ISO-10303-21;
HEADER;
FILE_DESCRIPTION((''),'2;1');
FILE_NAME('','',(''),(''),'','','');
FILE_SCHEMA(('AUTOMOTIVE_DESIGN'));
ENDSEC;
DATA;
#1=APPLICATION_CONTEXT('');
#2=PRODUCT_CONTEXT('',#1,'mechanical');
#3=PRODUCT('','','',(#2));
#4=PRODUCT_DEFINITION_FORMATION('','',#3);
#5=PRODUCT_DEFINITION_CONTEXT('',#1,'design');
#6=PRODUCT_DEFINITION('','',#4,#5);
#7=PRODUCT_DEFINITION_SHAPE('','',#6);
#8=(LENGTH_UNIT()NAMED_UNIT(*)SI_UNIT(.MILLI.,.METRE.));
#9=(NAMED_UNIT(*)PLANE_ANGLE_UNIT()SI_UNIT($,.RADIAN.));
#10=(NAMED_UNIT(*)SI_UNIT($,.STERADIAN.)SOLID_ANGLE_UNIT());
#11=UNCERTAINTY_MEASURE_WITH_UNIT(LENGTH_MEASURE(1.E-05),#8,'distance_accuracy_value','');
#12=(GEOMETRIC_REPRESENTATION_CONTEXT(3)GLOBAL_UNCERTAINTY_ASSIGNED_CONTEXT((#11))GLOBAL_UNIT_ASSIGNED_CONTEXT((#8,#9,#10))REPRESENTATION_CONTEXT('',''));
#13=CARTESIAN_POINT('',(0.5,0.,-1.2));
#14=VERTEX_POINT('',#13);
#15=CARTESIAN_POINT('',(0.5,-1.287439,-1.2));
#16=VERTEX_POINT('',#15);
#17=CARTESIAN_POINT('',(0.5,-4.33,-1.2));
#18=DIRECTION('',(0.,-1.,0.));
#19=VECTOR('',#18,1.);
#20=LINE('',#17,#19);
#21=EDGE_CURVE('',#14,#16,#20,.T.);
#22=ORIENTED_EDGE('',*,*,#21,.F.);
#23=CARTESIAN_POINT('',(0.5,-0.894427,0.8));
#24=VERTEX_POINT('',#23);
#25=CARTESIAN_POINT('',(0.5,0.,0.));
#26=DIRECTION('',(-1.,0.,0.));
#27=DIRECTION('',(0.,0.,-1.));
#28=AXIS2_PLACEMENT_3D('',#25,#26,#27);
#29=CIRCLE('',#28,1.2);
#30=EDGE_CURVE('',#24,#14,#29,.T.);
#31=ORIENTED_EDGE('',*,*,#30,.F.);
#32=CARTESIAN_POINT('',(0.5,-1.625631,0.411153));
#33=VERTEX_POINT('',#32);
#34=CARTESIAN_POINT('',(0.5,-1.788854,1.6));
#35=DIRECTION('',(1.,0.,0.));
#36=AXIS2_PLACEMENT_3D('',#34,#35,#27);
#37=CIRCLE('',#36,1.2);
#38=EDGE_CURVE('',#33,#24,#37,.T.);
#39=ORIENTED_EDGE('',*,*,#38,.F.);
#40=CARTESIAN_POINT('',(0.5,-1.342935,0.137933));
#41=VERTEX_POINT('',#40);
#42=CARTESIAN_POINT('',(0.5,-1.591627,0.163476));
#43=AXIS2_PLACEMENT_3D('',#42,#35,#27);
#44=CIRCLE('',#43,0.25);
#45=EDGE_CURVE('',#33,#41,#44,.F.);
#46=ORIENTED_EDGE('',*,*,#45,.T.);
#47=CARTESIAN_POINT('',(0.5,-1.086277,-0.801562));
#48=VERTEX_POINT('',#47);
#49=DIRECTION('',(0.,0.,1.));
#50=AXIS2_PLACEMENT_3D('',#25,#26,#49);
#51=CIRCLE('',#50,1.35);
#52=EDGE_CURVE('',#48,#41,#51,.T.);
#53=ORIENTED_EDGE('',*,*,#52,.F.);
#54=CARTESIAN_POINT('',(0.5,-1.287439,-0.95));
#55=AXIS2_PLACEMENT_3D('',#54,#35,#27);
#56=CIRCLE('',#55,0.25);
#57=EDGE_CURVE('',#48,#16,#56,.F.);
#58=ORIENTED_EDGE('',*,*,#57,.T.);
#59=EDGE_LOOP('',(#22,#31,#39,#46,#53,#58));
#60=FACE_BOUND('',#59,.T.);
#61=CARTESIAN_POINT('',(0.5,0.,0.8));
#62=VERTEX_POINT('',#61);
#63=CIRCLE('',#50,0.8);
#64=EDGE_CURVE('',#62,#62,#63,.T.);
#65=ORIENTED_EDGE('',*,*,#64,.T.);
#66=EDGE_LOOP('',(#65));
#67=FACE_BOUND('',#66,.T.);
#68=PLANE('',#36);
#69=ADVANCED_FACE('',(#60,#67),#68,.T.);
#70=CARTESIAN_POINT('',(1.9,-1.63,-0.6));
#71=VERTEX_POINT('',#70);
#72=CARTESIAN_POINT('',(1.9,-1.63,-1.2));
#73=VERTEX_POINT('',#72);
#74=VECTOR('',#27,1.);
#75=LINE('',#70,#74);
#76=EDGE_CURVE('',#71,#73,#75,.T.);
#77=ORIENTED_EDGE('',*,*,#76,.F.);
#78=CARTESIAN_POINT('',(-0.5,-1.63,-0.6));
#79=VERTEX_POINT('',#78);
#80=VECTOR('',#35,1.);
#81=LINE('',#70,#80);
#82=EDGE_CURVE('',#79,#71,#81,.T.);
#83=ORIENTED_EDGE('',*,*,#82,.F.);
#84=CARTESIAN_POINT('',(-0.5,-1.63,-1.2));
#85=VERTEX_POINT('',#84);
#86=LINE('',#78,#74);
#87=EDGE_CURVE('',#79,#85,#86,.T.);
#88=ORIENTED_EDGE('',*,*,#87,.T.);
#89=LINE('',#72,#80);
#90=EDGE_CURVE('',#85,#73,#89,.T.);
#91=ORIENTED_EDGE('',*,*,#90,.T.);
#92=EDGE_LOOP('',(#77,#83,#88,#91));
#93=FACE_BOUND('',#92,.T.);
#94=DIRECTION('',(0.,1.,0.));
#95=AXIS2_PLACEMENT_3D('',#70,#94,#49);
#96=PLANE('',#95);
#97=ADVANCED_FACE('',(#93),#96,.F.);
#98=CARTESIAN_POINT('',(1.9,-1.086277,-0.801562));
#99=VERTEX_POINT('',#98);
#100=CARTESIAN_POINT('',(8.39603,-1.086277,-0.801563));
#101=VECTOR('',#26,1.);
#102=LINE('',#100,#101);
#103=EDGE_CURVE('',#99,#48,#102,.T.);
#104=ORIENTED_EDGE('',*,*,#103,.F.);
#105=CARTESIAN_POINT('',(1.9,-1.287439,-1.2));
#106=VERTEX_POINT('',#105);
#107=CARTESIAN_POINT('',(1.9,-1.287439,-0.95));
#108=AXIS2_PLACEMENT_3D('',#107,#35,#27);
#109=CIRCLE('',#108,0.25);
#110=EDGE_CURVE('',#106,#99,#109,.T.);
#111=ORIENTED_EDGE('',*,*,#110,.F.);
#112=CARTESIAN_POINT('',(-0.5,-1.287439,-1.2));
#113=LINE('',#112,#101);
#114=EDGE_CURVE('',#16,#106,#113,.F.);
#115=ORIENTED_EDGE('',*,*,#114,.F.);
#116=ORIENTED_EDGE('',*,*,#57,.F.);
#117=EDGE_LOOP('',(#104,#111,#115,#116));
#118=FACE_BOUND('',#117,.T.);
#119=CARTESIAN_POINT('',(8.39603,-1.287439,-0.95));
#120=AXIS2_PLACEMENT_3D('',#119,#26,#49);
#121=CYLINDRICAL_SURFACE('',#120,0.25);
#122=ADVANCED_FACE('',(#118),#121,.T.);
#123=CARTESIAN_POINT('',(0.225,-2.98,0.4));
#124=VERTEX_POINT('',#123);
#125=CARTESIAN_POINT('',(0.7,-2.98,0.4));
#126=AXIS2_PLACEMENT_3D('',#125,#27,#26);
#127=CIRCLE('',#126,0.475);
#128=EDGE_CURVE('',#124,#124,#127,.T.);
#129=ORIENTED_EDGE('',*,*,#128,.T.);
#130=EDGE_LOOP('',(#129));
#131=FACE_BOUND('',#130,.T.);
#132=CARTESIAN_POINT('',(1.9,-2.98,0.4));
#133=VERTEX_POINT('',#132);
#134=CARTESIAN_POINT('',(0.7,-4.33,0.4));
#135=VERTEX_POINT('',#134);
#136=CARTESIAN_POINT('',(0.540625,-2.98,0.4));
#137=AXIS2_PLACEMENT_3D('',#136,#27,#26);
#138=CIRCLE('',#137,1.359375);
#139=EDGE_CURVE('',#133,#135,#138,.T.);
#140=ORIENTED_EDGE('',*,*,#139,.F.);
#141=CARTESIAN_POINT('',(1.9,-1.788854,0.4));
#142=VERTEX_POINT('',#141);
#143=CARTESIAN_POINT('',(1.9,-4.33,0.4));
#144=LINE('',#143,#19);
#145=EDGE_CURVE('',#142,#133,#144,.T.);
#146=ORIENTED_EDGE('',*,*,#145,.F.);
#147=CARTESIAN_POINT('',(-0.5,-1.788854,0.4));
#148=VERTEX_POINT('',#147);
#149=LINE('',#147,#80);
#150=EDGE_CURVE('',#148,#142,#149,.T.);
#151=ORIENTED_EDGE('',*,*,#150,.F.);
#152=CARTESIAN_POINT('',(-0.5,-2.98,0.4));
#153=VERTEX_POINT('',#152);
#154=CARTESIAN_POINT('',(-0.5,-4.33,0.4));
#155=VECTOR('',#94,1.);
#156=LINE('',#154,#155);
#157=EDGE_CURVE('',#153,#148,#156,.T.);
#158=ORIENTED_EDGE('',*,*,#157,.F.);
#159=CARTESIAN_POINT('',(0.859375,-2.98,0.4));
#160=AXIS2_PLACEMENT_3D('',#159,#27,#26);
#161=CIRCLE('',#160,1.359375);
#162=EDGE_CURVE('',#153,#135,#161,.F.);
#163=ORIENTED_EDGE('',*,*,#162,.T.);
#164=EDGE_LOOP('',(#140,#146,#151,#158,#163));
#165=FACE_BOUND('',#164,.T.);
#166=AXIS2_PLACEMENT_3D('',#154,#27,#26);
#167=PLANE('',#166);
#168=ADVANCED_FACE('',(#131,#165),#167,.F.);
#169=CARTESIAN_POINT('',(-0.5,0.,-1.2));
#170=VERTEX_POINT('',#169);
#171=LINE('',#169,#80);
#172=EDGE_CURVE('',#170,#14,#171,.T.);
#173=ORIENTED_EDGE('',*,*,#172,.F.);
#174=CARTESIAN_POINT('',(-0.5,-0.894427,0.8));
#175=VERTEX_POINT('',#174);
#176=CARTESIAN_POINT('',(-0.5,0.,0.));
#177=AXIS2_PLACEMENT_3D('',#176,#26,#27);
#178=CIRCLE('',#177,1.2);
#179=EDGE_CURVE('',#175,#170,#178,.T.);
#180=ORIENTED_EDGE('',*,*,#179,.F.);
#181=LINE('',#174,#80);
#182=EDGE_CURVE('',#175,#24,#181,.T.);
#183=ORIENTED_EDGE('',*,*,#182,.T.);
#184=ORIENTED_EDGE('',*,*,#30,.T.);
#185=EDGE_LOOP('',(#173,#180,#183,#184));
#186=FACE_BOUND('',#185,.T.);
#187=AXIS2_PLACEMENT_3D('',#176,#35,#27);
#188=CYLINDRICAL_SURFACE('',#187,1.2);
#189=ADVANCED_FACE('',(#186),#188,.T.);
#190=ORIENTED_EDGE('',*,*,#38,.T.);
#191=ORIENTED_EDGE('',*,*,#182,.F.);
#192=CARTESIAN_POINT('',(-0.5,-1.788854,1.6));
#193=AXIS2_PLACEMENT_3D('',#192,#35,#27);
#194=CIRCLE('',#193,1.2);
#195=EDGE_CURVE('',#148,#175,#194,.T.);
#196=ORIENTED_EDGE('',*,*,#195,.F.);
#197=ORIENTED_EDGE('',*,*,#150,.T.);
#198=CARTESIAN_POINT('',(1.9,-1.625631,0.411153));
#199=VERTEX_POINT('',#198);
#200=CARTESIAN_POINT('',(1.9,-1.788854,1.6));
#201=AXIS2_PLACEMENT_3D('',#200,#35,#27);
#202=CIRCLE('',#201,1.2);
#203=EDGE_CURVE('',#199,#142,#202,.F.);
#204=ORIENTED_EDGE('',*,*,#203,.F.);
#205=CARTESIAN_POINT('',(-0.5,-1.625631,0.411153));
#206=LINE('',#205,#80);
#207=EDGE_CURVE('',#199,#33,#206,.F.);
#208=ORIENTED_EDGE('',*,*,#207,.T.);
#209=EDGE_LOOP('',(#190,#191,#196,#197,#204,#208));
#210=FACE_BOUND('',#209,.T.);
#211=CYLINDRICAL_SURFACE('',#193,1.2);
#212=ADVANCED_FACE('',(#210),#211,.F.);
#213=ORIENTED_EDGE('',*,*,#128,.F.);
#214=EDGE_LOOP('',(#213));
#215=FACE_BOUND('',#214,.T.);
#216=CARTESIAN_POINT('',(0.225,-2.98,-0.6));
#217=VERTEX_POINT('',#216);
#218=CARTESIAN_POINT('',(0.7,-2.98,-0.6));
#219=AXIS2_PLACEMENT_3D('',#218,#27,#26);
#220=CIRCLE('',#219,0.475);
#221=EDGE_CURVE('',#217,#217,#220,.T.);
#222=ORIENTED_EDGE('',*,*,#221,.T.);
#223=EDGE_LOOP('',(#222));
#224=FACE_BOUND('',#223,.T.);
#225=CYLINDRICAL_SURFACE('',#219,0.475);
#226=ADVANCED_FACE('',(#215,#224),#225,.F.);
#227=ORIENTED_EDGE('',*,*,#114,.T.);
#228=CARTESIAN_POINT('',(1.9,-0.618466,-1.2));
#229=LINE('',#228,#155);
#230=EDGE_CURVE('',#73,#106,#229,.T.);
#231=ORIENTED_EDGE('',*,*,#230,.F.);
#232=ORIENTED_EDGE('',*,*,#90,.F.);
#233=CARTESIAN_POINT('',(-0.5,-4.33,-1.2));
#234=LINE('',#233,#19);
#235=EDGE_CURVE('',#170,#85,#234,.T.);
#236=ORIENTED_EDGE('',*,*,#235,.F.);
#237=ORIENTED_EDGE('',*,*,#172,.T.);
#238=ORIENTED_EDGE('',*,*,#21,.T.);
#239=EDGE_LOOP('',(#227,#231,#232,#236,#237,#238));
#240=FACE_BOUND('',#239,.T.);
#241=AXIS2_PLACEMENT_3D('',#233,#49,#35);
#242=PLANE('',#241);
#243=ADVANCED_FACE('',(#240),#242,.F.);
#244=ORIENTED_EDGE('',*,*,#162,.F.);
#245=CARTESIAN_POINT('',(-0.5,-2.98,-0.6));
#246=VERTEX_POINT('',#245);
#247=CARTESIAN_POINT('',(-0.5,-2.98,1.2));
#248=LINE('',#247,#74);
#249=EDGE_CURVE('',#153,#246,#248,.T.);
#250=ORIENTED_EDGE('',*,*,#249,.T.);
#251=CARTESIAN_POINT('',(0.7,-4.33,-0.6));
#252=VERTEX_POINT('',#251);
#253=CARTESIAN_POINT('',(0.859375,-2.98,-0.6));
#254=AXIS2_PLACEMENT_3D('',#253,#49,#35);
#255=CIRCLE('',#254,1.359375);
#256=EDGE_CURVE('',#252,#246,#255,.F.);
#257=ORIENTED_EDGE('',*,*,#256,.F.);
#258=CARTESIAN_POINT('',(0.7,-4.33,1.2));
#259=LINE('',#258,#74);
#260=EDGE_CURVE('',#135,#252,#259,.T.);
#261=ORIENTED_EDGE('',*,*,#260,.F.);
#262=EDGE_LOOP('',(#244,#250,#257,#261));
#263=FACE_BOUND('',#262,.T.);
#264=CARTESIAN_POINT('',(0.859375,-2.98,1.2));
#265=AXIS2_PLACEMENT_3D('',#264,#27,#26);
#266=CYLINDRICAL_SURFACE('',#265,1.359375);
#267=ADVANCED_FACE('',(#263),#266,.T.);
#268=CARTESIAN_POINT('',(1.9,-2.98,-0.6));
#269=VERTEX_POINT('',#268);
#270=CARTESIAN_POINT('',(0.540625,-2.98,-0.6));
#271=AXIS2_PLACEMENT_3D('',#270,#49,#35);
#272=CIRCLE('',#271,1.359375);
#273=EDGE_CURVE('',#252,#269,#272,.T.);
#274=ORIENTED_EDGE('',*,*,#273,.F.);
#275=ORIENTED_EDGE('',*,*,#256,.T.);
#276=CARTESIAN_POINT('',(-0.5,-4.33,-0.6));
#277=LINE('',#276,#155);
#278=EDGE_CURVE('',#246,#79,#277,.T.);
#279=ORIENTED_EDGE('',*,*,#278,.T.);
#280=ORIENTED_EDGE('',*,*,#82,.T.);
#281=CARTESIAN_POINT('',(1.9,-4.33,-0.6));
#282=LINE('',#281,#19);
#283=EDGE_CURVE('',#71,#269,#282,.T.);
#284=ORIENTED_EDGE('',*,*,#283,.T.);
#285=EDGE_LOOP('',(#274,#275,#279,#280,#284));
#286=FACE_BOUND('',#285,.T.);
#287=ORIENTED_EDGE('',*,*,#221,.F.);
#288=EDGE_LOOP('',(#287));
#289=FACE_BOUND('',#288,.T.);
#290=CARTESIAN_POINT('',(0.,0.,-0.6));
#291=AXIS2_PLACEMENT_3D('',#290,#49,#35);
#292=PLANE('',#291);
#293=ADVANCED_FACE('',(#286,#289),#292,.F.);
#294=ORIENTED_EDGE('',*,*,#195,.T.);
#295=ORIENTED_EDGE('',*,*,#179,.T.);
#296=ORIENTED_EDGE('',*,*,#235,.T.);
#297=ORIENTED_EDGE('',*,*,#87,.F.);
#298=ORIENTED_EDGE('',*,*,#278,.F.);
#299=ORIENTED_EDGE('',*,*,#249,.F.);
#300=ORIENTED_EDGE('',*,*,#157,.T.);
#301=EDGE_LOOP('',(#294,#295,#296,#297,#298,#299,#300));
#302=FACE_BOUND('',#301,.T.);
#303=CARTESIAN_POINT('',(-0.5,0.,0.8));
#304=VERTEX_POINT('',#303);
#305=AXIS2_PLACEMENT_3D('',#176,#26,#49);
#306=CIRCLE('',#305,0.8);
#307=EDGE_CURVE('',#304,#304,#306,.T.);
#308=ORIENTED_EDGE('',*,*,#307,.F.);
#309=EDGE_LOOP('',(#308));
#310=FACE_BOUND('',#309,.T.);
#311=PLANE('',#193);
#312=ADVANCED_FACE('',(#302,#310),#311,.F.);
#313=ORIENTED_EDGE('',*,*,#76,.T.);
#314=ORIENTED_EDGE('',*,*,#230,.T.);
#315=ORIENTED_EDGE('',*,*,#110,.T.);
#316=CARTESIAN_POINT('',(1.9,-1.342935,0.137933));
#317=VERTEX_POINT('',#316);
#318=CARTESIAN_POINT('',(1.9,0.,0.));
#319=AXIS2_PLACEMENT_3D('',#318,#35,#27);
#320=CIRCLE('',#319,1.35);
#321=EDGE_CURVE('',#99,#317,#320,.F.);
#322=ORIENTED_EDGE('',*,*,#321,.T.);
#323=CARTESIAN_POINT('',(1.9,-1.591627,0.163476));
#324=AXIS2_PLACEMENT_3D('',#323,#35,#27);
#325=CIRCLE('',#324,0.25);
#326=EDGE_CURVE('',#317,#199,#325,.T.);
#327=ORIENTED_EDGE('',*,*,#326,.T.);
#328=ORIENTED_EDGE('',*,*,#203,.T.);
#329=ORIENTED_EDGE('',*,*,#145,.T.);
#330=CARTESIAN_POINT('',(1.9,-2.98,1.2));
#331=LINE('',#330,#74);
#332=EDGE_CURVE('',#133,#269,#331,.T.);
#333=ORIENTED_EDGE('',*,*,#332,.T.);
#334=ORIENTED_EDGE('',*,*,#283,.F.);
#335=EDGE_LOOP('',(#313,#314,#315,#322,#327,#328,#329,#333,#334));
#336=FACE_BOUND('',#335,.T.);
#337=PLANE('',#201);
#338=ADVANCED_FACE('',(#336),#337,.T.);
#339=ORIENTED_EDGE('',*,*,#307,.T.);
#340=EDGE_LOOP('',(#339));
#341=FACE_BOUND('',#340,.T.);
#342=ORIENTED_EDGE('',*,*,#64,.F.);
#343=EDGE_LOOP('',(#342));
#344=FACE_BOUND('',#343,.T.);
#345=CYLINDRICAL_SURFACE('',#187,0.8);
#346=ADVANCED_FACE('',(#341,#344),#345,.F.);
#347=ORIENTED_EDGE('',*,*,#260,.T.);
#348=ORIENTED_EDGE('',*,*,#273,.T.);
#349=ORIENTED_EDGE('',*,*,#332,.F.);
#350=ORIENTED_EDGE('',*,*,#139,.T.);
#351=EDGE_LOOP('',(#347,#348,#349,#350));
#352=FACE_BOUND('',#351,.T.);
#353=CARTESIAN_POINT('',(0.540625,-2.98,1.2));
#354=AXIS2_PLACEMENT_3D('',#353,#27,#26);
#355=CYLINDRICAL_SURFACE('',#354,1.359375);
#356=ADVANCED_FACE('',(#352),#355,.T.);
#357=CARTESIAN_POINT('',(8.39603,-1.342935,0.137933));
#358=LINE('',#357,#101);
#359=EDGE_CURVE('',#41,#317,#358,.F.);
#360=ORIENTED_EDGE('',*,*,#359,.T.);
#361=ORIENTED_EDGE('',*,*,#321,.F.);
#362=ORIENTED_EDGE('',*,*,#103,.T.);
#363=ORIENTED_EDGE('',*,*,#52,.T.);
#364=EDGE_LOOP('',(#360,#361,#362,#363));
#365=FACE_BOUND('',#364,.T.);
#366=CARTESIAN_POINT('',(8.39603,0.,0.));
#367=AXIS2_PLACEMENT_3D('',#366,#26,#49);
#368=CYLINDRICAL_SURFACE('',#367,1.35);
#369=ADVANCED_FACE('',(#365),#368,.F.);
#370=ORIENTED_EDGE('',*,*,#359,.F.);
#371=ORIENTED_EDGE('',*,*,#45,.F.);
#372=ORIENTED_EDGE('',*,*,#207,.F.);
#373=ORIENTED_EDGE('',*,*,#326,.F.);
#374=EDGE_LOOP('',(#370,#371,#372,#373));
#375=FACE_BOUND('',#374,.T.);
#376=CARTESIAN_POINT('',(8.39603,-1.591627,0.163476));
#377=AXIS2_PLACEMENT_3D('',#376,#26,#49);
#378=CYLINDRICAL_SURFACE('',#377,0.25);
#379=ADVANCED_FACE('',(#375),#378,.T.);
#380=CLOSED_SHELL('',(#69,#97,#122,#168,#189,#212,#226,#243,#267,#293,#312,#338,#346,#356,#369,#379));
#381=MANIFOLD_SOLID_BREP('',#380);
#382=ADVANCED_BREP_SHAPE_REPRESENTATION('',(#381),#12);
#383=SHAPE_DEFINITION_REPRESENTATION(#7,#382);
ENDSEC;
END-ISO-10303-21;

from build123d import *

# Parameters (mm, degrees)
SKETCH1_R               = 0.8
BOSS_EXTRUDE1_DEPTH     = 0.5
BOSS_EXTRUDE2_DEPTH     = 1.4
FILLET1_R               = 0.25
SKETCH3_W               = 2.4
SKETCH3_H               = 2.7
CUT_EXTRUDE1_DEPTH      = 0.6
M1_2_TAPPED_HOLE1_D     = 0.95
CUT_EXTRUDE2_DEPTH      = 6.059535711
CUT_EXTRUDE2_DEPTH_BACK = 6.059535711


with BuildPart() as part:
    # Sketch1 → Boss-Extrude1 (new, symmetric)
    with BuildSketch(Plane(origin=(0, 0, 0), x_dir=(0, 1, 0), z_dir=(-1, 0, 0))):
        with BuildLine():
            Line((-4.33, 1.2), (0, 1.2))
            ThreePointArc((0, 1.2), (1.095445115, -0.489897949), (-0.894427191, -0.8))
            ThreePointArc((-0.894427191, -0.8), (-1.298956433, -0.504554885), (-1.788854382, -0.4))
            Line((-1.788854382, -0.4), (-4.33, -0.4))
            Line((-4.33, -0.4), (-4.33, 1.2))
        make_face()
        with Locations(Location((0, 0, 0), (0, 0, 270))):
            Circle(SKETCH1_R, mode=Mode.SUBTRACT)
    extrude(amount=BOSS_EXTRUDE1_DEPTH, both=True)

    # Sketch2 → Boss-Extrude2 (add)
    with BuildSketch(Plane(origin=(0.5, 0, 0), x_dir=(0, 0, -1), z_dir=(1, 0, 0))):
        with BuildLine():
            Line((1.2, -0.618465844), (1.2, -4.33))
            Line((1.2, -4.33), (-0.4, -4.33))
            Line((-0.4, -4.33), (-0.4, -1.788854382))
            ThreePointArc((-0.4, -1.788854382), (-0.433626648, -1.506767153), (-0.532622008, -1.240489338))
            ThreePointArc((-0.532622008, -1.240489338), (0.456154198, -1.270599601), (1.2, -0.618465844))
        make_face()
    extrude(amount=BOSS_EXTRUDE2_DEPTH)

    # Fillet1
    fillet1_edges = [part.edges().sort_by_distance(p)[0] for p in [
        (1.2, -0.618465844, -1.2),
        (1.2, -1.240489338, 0.532622008),
    ]]
    fillet(fillet1_edges, radius=FILLET1_R)

    # Sketch3 → Cut-Extrude1 (cut)
    with BuildSketch(Plane(origin=(0, 0, -1.2), x_dir=(-1, 0, 0), z_dir=(0, 0, -1))):
        with Locations((-0.7, -2.98)):
            Rectangle(SKETCH3_W, SKETCH3_H)
    extrude(amount=-CUT_EXTRUDE1_DEPTH, mode=Mode.SUBTRACT)

    # M1.2 Tapped Hole1 (through all)
    with Locations(Plane(origin=(0, 0, -0.6), x_dir=(-1, 0, 0), z_dir=(0, 0, -1))):
        with Locations((-0.7, -2.98)):
            Hole(M1_2_TAPPED_HOLE1_D / 2)

    # Sketch6 → Cut-Extrude2 (cut, two sides: drawn at the far end of the back side and taken through both)
    with BuildSketch(Plane(origin=(0, 0, -0.6), x_dir=(-1, 0, 0), z_dir=(0, 0, -1)).offset(-CUT_EXTRUDE2_DEPTH_BACK)):
        with BuildLine():
            ThreePointArc((-0.7, -4.33), (-1.556634543, -3.883119593), (-1.9, -2.98))
            Line((-1.9, -2.98), (-1.9, -4.33))
            Line((-1.9, -4.33), (-0.7, -4.33))
        make_face()
        with BuildLine():
            ThreePointArc((0.5, -2.98), (0.156634543, -3.883119593), (-0.7, -4.33))
            Line((-0.7, -4.33), (0.5, -4.33))
            Line((0.5, -4.33), (0.5, -2.98))
        make_face()
    extrude(amount=CUT_EXTRUDE2_DEPTH + CUT_EXTRUDE2_DEPTH_BACK, mode=Mode.SUBTRACT)


solid = part.part
